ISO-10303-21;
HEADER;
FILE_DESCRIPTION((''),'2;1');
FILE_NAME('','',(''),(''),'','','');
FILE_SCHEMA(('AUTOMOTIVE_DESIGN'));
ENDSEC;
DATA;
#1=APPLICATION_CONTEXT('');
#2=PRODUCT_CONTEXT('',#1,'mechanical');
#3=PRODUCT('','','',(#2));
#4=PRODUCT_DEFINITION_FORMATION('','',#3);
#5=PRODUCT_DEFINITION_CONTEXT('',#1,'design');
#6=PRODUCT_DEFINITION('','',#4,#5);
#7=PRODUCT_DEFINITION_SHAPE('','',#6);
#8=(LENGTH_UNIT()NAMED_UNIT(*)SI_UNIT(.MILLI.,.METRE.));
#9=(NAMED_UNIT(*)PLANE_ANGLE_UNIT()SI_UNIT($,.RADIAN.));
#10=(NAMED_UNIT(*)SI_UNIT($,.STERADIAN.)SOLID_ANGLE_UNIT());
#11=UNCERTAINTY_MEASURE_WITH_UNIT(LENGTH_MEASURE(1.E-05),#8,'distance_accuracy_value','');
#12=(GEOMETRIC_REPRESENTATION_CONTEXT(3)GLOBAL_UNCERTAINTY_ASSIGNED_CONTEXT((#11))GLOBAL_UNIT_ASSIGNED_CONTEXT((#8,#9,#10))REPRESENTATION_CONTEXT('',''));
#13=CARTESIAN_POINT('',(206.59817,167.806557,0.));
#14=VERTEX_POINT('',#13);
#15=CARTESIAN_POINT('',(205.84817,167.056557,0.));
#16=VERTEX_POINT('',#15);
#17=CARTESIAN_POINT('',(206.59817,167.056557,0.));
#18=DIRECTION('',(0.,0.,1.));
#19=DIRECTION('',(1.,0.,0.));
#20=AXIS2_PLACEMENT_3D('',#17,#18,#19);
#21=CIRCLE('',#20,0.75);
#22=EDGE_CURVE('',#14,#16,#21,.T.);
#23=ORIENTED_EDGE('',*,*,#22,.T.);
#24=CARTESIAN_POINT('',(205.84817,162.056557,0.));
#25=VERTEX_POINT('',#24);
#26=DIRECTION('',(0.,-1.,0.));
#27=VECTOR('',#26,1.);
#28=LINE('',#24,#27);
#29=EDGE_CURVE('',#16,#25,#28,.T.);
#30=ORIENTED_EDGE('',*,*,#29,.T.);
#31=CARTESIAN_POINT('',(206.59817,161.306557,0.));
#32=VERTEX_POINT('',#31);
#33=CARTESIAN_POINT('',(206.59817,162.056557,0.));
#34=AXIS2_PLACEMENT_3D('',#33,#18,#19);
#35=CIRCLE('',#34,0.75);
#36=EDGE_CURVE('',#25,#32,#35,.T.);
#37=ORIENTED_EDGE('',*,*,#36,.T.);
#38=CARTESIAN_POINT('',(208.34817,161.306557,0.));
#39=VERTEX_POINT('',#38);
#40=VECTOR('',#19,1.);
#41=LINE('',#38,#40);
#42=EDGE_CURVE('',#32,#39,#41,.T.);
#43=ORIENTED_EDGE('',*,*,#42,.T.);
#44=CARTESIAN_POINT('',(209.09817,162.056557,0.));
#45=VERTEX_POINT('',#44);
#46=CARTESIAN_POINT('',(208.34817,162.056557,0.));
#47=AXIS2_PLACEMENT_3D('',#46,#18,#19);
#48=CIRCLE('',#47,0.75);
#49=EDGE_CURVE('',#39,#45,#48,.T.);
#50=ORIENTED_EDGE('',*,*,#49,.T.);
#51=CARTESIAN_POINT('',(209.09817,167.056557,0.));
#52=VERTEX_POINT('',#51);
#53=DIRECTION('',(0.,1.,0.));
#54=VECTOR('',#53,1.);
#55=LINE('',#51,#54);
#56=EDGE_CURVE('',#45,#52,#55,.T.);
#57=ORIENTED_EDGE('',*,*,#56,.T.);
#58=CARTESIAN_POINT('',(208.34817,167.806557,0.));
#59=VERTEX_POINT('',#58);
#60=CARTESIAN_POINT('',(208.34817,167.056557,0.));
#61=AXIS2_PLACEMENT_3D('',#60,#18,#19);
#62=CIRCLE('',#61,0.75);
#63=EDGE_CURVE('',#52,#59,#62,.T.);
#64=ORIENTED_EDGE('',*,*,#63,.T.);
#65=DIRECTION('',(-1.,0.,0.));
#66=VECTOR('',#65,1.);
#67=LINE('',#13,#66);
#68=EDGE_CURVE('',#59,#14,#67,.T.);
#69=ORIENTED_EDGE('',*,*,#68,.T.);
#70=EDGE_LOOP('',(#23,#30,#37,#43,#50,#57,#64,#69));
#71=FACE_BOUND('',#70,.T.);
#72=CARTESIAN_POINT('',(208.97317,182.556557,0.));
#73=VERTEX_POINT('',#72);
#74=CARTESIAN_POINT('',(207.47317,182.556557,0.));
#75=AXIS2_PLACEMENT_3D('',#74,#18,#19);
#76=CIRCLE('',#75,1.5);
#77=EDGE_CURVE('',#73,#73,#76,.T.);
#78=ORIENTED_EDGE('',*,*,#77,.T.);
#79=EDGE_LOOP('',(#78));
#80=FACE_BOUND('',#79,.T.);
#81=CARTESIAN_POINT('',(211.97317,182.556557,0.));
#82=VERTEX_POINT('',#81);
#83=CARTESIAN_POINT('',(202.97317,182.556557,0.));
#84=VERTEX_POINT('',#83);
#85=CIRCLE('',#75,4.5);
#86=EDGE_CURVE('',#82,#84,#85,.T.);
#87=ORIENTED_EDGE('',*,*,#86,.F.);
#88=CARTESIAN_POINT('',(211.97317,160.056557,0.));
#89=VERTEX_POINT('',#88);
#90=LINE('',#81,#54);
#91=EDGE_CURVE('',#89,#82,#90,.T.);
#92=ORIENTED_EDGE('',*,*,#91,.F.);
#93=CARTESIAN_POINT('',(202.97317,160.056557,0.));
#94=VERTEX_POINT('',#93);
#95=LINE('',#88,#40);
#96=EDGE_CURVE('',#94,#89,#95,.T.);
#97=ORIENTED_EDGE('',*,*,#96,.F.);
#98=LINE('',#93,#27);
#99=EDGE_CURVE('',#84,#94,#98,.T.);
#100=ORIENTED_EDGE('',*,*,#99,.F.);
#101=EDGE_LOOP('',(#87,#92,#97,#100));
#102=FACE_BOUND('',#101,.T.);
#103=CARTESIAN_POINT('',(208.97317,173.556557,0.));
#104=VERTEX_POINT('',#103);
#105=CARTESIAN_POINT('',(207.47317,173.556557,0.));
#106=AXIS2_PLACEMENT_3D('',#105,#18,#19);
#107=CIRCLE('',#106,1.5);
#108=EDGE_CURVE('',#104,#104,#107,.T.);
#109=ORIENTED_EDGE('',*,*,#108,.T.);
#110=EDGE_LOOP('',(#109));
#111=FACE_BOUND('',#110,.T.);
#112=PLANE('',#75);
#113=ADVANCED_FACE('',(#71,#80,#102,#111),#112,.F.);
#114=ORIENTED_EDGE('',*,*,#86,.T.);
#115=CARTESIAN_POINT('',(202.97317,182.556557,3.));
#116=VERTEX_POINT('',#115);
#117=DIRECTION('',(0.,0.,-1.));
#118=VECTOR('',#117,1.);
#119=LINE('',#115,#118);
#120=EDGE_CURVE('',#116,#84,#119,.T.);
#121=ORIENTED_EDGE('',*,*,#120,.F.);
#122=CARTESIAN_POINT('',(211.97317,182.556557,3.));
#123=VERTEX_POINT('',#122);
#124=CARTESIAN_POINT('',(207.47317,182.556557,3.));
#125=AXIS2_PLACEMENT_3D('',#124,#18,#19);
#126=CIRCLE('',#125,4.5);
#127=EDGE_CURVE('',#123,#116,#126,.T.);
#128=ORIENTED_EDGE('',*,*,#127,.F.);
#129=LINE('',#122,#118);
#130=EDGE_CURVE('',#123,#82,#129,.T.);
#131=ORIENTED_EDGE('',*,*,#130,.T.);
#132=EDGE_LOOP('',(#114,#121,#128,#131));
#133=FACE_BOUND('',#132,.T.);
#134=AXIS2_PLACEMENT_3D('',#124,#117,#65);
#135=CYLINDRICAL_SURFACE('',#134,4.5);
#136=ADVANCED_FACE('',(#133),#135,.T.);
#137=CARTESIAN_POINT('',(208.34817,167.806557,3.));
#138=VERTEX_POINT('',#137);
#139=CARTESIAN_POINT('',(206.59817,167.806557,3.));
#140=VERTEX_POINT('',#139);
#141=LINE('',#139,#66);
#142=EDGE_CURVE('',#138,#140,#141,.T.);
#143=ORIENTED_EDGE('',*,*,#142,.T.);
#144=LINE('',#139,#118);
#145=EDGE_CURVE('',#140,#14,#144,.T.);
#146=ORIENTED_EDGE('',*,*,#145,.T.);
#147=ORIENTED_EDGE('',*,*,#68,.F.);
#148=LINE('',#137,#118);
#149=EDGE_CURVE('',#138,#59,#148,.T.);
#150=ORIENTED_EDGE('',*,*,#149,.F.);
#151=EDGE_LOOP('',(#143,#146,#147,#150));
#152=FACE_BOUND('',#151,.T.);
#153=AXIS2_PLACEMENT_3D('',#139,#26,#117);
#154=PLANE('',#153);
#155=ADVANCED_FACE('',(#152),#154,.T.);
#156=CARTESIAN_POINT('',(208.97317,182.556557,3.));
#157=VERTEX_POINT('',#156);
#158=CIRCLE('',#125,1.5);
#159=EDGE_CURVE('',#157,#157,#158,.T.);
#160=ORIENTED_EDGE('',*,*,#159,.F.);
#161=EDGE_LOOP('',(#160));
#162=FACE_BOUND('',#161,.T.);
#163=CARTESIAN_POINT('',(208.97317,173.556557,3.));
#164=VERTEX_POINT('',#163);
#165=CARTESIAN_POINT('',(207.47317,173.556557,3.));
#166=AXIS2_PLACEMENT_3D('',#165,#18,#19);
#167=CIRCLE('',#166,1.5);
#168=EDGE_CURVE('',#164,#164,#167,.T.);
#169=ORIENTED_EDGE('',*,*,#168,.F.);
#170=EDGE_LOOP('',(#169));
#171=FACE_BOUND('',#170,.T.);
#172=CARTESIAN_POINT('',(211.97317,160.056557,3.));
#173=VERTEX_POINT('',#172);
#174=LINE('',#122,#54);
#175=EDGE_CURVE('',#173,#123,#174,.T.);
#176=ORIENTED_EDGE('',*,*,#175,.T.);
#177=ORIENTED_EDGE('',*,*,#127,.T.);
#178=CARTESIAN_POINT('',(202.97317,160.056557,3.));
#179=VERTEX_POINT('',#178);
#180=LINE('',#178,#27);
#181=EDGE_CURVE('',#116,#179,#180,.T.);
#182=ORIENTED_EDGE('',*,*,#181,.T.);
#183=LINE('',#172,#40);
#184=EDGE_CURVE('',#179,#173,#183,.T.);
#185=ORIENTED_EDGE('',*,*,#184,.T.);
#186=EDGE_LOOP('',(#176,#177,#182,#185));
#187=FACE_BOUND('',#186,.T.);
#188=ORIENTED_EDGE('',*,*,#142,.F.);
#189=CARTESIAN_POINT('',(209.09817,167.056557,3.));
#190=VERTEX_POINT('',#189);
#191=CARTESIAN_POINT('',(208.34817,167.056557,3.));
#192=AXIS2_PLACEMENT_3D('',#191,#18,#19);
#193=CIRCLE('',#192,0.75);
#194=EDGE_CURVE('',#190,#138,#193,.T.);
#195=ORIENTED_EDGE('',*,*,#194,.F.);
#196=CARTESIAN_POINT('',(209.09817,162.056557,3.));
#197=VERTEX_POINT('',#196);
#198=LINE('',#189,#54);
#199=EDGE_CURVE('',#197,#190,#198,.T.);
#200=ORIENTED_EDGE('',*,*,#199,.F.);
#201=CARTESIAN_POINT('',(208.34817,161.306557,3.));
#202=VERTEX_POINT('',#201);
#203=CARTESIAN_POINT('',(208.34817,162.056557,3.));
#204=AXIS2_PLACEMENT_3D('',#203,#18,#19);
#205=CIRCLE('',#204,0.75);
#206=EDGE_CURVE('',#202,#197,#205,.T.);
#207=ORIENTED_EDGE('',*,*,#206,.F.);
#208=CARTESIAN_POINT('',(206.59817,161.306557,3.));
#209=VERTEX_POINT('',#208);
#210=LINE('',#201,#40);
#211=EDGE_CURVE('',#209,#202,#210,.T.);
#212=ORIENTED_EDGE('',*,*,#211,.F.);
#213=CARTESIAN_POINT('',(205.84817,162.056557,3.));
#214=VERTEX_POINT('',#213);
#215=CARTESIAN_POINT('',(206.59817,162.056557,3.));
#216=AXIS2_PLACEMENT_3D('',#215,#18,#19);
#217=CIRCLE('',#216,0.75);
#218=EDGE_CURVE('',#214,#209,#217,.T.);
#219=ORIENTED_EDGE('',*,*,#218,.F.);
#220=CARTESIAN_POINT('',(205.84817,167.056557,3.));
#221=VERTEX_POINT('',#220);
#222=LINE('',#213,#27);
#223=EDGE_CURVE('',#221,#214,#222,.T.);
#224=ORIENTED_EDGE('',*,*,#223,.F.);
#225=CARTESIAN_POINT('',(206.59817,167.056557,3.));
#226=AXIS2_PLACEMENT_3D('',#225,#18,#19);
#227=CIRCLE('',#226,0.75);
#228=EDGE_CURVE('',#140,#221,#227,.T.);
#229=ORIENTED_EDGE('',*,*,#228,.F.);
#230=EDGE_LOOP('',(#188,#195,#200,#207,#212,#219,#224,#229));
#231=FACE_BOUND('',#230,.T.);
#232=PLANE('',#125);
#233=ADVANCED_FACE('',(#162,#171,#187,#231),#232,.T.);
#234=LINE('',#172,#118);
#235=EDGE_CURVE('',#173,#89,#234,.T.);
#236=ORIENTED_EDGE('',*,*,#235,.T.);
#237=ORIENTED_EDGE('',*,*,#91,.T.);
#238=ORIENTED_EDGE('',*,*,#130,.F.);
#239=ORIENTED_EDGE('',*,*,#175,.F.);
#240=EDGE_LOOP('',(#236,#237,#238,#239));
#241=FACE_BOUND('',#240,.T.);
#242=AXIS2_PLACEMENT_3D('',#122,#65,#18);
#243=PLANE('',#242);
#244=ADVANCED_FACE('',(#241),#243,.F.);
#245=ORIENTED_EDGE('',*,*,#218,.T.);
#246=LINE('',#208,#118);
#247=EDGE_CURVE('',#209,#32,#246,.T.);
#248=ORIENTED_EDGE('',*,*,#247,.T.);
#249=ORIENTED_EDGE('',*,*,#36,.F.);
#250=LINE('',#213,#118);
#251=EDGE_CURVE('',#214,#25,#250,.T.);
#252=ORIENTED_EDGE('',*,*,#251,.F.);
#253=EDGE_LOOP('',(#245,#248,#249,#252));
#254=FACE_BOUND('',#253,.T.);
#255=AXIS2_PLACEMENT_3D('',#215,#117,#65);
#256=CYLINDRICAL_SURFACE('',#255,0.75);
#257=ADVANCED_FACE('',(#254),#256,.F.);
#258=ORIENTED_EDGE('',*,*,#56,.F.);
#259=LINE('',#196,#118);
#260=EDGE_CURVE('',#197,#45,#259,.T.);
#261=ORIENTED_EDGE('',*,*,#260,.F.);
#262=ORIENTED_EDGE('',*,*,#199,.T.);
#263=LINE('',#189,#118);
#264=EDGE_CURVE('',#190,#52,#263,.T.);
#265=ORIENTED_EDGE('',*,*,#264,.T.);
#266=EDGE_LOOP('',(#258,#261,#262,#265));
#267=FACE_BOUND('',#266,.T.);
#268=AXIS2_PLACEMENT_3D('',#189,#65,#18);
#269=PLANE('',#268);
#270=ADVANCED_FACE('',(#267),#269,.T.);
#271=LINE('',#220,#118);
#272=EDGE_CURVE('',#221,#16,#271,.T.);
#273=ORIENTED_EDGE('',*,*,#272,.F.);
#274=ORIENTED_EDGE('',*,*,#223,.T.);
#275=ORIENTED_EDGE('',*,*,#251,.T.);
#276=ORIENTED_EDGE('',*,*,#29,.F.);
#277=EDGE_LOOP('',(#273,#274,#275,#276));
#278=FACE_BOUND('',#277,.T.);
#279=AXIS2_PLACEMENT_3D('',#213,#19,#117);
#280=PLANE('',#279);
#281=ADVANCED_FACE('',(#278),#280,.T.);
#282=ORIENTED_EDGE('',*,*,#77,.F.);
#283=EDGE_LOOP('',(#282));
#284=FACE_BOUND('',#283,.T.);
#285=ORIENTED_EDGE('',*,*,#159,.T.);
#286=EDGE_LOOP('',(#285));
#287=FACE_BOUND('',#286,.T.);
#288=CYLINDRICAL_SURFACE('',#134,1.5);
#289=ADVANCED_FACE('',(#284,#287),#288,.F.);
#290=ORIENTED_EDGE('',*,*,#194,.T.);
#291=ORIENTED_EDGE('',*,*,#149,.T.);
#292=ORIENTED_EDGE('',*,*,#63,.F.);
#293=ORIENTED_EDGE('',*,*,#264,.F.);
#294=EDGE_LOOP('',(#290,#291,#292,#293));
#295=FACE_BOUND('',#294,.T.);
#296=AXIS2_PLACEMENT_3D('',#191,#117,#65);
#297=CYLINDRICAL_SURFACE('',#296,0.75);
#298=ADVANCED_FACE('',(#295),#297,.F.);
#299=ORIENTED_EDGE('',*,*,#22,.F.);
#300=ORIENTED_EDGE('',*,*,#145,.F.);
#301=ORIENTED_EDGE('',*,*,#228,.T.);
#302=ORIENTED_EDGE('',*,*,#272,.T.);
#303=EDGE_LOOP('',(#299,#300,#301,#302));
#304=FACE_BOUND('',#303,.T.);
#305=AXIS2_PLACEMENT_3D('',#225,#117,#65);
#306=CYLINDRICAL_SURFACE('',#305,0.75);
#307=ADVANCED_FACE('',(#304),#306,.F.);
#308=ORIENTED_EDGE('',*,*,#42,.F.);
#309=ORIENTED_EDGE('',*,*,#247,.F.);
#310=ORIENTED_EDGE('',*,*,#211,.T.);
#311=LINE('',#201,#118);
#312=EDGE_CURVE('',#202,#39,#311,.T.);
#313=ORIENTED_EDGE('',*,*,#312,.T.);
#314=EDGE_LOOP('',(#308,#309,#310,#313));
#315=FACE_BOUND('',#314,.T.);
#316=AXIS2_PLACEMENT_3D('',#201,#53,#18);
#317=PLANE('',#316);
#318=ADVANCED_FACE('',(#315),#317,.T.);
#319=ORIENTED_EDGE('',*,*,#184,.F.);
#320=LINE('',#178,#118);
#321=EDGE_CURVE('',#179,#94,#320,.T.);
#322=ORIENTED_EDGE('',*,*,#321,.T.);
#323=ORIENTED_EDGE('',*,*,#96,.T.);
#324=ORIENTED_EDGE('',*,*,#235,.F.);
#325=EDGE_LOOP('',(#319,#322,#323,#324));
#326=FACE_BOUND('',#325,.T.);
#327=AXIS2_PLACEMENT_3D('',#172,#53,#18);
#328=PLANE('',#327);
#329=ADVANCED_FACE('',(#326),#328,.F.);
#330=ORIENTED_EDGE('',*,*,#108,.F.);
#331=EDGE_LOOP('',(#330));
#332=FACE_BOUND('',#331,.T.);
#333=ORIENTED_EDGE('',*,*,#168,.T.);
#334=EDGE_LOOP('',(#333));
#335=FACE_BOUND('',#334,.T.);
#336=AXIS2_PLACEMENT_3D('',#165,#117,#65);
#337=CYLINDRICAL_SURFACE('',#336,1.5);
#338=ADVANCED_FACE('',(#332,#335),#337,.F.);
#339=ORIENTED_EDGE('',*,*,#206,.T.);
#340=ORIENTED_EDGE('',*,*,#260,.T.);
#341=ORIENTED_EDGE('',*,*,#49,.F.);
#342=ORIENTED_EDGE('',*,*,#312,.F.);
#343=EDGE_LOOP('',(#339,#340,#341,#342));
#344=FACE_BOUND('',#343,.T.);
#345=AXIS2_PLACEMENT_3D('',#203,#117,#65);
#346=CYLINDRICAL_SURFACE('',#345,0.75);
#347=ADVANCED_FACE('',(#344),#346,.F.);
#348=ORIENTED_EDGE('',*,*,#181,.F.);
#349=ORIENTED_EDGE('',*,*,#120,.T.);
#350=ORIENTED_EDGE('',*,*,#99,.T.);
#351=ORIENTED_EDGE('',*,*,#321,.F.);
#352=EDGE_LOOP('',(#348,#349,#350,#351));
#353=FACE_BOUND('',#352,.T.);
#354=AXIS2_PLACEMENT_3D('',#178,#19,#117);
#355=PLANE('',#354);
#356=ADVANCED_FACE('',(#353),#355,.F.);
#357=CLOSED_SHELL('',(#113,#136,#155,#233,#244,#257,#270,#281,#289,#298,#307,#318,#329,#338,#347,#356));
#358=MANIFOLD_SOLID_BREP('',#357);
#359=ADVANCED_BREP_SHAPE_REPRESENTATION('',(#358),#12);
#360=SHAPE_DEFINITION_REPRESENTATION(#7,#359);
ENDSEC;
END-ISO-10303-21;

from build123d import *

# Parameters (mm, degrees)
MODEL_R                 = 1.5
SALIENTE_EXTRUIR1_DEPTH = 3


with BuildPart() as part:
    # Model → Saliente-Extruir1 (new body)
    with BuildSketch(Plane.XY):
        with BuildLine():
            Line((202.97316991, 160.056557042), (202.97316991, 182.556557042))
            ThreePointArc((202.97316991, 182.556557042), (207.47316991, 187.056557042), (211.97316991, 182.556557042))
            Line((211.97316991, 182.556557042), (211.97316991, 160.056557042))
            Line((211.97316991, 160.056557042), (202.97316991, 160.056557042))
        make_face()
        with Locations((207.47316991, 173.556557042)):
            Circle(MODEL_R, mode=Mode.SUBTRACT)
        with Locations((207.47316991, 182.556557042)):
            Circle(MODEL_R, mode=Mode.SUBTRACT)
        with BuildLine():
            Line((205.84816991, 162.056557042), (205.84816991, 167.056557042))
            ThreePointArc((205.84816991, 167.056557042), (206.067839825, 167.586887128), (206.59816991, 167.806557042))
            Line((206.59816991, 167.806557042), (208.34816991, 167.806557042))
            ThreePointArc((208.34816991, 167.806557042), (208.878499996, 167.586887128), (209.09816991, 167.056557042))
            Line((209.09816991, 167.056557042), (209.09816991, 162.056557042))
            ThreePointArc((209.09816991, 162.056557042), (208.878499996, 161.526226956), (208.34816991, 161.306557042))
            Line((208.34816991, 161.306557042), (206.59816991, 161.306557042))
            ThreePointArc((206.59816991, 161.306557042), (206.067839825, 161.526226956), (205.84816991, 162.056557042))
        make_face(mode=Mode.SUBTRACT)
    extrude(amount=SALIENTE_EXTRUIR1_DEPTH)


solid = part.part
